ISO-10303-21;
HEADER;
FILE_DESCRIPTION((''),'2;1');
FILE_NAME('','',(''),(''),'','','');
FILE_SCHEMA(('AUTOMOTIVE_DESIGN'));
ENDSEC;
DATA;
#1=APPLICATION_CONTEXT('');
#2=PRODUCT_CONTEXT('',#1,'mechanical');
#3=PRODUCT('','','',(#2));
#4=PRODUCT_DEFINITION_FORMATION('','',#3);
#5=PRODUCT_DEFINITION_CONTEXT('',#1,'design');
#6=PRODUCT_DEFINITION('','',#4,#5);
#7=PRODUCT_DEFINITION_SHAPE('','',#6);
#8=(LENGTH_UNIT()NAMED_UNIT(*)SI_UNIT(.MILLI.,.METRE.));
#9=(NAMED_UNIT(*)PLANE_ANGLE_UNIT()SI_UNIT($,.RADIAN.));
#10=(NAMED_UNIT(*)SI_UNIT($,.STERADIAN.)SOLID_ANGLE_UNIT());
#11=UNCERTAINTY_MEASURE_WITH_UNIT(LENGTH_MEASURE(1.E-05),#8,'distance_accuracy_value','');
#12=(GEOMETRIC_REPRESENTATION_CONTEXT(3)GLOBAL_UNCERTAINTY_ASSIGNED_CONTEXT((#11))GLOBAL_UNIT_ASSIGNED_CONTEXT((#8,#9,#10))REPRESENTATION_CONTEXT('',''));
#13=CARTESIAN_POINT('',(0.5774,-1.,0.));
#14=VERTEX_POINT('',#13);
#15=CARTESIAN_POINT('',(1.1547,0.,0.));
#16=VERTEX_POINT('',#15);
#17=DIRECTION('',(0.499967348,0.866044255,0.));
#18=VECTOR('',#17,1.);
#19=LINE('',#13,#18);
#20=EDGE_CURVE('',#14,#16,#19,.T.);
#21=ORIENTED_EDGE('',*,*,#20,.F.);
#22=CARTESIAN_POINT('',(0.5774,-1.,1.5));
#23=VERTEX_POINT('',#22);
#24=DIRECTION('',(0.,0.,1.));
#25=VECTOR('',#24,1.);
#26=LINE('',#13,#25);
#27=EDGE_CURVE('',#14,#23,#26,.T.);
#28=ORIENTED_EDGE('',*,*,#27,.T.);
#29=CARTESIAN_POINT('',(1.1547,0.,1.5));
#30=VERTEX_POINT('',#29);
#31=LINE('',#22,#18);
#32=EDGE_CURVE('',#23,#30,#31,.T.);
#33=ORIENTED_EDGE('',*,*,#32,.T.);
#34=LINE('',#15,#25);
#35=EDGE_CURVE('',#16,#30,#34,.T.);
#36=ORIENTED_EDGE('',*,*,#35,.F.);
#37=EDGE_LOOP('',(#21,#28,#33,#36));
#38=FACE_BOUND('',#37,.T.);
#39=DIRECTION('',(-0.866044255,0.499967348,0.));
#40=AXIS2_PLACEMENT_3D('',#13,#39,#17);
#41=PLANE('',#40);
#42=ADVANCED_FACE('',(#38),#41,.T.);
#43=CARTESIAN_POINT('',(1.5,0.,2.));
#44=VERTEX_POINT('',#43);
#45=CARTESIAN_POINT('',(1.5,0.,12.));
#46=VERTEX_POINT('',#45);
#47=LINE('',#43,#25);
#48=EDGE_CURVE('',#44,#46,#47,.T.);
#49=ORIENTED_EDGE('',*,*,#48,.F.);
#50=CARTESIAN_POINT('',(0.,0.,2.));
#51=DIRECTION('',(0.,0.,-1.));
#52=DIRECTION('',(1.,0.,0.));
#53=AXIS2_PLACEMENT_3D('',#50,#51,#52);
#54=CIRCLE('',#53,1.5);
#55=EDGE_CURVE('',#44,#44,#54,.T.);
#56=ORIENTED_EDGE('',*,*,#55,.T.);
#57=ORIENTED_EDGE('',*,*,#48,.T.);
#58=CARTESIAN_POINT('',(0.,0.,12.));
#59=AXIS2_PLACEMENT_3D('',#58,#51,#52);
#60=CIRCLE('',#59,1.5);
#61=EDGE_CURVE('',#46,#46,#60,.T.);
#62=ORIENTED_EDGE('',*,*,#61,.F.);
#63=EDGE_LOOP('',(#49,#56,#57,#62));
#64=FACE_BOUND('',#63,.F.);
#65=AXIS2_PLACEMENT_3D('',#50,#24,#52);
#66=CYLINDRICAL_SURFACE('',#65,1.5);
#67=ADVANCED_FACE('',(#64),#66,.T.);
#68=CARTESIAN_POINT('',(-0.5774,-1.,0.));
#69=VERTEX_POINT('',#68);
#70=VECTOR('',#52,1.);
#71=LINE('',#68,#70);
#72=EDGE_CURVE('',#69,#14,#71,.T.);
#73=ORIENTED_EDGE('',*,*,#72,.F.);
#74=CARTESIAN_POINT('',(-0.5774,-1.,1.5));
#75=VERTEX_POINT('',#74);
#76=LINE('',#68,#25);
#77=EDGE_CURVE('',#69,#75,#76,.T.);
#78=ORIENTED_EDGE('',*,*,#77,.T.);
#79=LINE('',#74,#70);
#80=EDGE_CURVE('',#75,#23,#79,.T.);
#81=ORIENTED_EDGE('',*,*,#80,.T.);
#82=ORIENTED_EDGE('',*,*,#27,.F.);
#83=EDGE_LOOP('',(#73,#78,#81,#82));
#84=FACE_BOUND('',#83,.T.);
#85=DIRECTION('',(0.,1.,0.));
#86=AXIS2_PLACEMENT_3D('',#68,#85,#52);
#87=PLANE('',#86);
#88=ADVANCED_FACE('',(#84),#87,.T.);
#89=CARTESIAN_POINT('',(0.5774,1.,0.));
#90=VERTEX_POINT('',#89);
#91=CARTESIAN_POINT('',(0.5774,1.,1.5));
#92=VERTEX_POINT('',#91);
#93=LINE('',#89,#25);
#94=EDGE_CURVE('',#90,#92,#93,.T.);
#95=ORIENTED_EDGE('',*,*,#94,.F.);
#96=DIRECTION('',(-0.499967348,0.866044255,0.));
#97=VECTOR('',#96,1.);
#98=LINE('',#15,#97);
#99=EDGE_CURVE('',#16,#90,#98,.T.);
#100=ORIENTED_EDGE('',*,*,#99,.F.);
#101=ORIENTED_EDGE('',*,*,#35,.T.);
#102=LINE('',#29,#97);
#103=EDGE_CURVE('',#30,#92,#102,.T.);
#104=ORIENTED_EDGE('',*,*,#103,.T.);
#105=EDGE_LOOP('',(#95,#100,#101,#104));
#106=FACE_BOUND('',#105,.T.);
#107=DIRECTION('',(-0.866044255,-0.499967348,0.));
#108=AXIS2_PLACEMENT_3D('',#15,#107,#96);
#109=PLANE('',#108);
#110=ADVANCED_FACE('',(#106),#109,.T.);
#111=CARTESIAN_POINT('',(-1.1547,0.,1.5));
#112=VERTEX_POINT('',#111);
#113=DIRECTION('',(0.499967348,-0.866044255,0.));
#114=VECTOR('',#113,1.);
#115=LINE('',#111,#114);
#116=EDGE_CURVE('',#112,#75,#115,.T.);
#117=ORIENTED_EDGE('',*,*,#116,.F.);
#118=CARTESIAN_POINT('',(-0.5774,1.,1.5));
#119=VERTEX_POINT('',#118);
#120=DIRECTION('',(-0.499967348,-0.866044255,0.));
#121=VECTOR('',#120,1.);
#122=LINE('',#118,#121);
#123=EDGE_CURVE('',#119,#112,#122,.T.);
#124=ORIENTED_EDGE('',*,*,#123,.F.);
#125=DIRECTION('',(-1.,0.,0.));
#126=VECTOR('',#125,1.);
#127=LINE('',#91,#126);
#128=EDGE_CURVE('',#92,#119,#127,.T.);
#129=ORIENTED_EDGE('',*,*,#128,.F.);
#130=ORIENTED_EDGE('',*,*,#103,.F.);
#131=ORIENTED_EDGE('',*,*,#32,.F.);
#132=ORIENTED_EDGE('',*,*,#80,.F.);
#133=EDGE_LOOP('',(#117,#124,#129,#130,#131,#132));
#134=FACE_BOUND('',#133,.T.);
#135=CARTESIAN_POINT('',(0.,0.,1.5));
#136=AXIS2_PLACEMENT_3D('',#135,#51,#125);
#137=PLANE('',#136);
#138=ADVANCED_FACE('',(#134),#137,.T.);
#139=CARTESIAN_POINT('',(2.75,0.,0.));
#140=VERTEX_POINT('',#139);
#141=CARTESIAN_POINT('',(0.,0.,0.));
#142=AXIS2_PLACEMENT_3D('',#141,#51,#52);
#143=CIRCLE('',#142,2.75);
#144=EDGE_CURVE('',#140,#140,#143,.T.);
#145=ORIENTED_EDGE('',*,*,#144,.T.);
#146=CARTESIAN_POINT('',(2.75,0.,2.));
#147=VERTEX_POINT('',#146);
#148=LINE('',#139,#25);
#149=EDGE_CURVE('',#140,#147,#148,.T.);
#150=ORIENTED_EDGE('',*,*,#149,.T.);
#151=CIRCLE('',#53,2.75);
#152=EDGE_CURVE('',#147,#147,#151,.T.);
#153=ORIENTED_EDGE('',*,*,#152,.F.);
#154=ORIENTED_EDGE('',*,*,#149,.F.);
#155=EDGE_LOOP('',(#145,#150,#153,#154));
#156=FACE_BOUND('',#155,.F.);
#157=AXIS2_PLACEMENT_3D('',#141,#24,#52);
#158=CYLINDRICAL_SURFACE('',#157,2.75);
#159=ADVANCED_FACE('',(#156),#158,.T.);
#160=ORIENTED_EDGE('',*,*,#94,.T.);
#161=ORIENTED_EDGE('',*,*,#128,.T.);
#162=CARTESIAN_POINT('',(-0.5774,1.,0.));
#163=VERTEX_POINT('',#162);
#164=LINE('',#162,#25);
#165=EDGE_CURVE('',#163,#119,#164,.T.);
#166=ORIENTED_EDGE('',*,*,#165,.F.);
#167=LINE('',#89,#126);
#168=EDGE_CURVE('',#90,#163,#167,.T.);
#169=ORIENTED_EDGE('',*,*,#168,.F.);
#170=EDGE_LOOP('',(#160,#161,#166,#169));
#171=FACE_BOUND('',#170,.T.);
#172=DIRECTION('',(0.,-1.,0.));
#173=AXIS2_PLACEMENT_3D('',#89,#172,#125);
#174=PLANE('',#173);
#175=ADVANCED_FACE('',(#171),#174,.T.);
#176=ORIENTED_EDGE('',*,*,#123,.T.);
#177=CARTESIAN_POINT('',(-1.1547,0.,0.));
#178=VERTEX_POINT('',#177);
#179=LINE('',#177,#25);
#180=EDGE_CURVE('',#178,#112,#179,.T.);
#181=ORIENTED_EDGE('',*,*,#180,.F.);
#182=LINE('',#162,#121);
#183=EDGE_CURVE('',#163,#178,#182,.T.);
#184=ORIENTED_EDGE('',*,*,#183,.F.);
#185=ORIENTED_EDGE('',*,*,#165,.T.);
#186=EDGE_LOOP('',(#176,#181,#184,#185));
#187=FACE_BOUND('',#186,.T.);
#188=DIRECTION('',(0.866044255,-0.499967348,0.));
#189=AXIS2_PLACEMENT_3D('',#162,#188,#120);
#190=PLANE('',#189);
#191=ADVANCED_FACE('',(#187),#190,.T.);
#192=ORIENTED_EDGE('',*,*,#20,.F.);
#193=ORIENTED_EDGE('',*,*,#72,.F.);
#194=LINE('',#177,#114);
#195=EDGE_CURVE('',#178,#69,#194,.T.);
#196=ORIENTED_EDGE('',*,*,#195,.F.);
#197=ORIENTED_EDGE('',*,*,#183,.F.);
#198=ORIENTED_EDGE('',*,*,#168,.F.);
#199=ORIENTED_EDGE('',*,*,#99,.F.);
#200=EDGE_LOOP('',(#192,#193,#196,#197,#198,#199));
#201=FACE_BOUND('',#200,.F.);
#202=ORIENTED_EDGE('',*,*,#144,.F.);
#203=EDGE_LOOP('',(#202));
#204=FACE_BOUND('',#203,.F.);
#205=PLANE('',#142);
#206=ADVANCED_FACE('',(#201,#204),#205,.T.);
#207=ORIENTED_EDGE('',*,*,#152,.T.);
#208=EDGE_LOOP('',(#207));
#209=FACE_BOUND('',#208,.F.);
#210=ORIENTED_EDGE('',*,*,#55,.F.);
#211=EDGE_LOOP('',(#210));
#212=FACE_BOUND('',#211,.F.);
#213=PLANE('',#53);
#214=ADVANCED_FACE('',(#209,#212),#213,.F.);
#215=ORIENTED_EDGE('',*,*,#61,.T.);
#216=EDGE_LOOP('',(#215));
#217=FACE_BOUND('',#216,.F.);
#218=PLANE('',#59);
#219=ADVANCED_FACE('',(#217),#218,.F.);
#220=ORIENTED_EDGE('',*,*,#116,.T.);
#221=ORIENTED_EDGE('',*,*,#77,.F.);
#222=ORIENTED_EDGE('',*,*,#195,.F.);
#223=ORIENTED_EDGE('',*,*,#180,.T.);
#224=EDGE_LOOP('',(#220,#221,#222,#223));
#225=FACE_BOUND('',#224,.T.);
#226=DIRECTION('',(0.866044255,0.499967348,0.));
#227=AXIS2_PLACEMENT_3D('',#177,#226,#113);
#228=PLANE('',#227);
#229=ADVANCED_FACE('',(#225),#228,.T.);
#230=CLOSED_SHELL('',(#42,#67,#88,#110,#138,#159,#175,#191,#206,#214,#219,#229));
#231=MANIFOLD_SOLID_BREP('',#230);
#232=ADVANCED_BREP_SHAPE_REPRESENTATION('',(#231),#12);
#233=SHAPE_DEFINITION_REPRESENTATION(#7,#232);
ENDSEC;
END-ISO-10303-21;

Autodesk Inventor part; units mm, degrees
ref_plane "YZ Plane" through (0, 0, 0) normal (1, 0, 0) x (0, 1, 0)
ref_plane "XZ Plane" through (0, 0, 0) normal (0, 1, 0) x (-1, 0, 0)
ref_plane "XY Plane" through (0, 0, 0) normal (0, 0, 1) x (1, 0, 0)
sketch "Sketch1" plane through (0, 0, 0) normal (0, 1, 0) x (-1, 0, 0)
  line L0 (0, 0) -> (-2.75, 0)
  line L1 (-2.75, 0) -> (-2.75, 2)
  line L2 (-2.75, 2) -> (-1.5, 2)
  line L3 (-1.5, 2) -> (-1.5, 12)
  line L4 (-1.5, 12) -> (0, 12)
  line L5 (0, 12) -> (0, 0)
  dimension "ScrewLength" = 10
  dimension "Diameter" = 5.5
  dimension "Metric" = 3
  dimension "HeadLength" = 2
revolve "Revolution1" add sketch "Sketch1" angle 360 about axis through (0, 0, 12) along (0, 0, -1)
thread "Thread1" size "M3x0.5" class "6g" standard "ANSI Metric M Profile" full length
sketch "Sketch2" plane through (0, 0, 0) normal (0, 0, -1) x (-1, 0, 0)
  line L0 (0.5774, 1) -> (1.1547, 0)
  line L1 (1.1547, 0) -> (0.5774, -1)
  line L2 (0.5774, -1) -> (-0.5774, -1)
  line L3 (-0.5774, -1) -> (-1.1547, 0)
  line L4 (-1.1547, 0) -> (-0.5774, 1)
  line L5 (-0.5774, 1) -> (0.5774, 1)
  point P0 (0, 0)
  point P1 (0, 0)
  dimension "WidthAcrossFlat" = 2
extrude "Extrusion1" cut sketch "Sketch2" against normal blind 1.5
properties part number "ULC-0310" material "Stainless Steel AISI 304"
